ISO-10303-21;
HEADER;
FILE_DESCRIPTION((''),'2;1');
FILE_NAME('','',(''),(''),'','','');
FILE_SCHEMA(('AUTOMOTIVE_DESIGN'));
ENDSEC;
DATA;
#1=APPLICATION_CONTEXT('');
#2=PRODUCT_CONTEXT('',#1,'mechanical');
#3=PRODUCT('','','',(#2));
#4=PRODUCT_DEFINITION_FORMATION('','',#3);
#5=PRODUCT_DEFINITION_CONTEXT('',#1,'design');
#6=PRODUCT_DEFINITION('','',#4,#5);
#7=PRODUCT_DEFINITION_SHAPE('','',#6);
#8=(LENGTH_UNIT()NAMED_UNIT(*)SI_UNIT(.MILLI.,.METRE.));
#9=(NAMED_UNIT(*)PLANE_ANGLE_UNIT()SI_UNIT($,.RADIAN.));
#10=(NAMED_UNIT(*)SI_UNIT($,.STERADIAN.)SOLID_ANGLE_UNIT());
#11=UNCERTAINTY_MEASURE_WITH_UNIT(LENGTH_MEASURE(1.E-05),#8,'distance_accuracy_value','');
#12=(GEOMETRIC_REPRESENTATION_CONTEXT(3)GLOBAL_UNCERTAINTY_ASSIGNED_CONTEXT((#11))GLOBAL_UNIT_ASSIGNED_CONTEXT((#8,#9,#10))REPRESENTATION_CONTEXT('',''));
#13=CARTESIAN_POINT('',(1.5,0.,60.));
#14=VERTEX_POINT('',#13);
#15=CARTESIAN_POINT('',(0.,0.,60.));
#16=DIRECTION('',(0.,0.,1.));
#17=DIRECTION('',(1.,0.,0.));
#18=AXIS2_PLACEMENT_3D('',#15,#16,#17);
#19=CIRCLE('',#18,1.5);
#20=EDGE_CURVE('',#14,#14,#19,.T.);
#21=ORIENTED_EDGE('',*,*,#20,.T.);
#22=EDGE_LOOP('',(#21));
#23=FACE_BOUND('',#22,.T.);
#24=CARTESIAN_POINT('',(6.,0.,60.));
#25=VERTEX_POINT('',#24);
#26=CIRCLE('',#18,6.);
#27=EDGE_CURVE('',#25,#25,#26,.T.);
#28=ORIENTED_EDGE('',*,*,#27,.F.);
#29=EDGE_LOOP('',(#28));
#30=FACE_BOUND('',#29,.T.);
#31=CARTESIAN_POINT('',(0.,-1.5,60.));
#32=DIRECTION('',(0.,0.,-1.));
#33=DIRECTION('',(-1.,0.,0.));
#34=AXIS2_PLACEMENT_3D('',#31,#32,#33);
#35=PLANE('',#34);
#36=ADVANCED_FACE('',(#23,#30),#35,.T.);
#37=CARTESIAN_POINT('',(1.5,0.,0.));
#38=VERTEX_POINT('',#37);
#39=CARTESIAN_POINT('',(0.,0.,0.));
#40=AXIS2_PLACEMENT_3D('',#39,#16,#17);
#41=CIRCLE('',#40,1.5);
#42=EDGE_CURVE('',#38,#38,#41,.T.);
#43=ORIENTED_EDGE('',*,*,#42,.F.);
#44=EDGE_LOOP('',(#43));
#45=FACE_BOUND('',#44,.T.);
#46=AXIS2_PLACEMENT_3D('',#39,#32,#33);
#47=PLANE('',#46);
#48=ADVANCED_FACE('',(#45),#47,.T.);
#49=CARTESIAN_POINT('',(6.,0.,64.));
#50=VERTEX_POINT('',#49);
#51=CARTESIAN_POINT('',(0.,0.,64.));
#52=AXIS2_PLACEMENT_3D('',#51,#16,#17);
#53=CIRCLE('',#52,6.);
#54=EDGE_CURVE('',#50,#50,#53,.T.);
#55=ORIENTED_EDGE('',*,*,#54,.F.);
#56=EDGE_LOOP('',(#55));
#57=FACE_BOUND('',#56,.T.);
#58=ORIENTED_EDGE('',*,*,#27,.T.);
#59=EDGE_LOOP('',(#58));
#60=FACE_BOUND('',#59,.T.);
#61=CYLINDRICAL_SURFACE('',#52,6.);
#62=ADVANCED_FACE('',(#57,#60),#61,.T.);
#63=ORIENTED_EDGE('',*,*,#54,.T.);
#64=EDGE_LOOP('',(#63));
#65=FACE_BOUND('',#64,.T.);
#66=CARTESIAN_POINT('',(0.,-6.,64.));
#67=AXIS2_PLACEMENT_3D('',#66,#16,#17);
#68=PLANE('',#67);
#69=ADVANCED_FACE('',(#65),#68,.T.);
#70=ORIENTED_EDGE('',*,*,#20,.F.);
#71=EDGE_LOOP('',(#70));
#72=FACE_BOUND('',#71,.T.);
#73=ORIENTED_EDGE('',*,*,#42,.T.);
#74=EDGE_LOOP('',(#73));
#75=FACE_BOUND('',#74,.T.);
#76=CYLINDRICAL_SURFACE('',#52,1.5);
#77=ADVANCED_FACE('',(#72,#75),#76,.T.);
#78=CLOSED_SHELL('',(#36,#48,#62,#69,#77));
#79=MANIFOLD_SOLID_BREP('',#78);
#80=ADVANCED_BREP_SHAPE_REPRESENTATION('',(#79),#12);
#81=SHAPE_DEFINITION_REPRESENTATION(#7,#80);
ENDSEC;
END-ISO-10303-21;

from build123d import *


with BuildPart() as part:
    # Sketch2 → Revolve1 (revolve)
    with BuildSketch(Plane(origin=(0, 0, 0), x_dir=(0, 0, -1), z_dir=(1, 0, 0)), mode=Mode.PRIVATE) as revolve1_sk:
        Polygon((0, 0), (0, -1.5), (-60, -1.5), (-60, -6), (-64, -6), (-64, 0), align=None)
    revolve(revolve1_sk.sketch.rotate(Axis((0, 0, 64), (0, 0, -1)), 270), axis=Axis((0, 0, 64), (0, 0, -1)))


solid = part.part
